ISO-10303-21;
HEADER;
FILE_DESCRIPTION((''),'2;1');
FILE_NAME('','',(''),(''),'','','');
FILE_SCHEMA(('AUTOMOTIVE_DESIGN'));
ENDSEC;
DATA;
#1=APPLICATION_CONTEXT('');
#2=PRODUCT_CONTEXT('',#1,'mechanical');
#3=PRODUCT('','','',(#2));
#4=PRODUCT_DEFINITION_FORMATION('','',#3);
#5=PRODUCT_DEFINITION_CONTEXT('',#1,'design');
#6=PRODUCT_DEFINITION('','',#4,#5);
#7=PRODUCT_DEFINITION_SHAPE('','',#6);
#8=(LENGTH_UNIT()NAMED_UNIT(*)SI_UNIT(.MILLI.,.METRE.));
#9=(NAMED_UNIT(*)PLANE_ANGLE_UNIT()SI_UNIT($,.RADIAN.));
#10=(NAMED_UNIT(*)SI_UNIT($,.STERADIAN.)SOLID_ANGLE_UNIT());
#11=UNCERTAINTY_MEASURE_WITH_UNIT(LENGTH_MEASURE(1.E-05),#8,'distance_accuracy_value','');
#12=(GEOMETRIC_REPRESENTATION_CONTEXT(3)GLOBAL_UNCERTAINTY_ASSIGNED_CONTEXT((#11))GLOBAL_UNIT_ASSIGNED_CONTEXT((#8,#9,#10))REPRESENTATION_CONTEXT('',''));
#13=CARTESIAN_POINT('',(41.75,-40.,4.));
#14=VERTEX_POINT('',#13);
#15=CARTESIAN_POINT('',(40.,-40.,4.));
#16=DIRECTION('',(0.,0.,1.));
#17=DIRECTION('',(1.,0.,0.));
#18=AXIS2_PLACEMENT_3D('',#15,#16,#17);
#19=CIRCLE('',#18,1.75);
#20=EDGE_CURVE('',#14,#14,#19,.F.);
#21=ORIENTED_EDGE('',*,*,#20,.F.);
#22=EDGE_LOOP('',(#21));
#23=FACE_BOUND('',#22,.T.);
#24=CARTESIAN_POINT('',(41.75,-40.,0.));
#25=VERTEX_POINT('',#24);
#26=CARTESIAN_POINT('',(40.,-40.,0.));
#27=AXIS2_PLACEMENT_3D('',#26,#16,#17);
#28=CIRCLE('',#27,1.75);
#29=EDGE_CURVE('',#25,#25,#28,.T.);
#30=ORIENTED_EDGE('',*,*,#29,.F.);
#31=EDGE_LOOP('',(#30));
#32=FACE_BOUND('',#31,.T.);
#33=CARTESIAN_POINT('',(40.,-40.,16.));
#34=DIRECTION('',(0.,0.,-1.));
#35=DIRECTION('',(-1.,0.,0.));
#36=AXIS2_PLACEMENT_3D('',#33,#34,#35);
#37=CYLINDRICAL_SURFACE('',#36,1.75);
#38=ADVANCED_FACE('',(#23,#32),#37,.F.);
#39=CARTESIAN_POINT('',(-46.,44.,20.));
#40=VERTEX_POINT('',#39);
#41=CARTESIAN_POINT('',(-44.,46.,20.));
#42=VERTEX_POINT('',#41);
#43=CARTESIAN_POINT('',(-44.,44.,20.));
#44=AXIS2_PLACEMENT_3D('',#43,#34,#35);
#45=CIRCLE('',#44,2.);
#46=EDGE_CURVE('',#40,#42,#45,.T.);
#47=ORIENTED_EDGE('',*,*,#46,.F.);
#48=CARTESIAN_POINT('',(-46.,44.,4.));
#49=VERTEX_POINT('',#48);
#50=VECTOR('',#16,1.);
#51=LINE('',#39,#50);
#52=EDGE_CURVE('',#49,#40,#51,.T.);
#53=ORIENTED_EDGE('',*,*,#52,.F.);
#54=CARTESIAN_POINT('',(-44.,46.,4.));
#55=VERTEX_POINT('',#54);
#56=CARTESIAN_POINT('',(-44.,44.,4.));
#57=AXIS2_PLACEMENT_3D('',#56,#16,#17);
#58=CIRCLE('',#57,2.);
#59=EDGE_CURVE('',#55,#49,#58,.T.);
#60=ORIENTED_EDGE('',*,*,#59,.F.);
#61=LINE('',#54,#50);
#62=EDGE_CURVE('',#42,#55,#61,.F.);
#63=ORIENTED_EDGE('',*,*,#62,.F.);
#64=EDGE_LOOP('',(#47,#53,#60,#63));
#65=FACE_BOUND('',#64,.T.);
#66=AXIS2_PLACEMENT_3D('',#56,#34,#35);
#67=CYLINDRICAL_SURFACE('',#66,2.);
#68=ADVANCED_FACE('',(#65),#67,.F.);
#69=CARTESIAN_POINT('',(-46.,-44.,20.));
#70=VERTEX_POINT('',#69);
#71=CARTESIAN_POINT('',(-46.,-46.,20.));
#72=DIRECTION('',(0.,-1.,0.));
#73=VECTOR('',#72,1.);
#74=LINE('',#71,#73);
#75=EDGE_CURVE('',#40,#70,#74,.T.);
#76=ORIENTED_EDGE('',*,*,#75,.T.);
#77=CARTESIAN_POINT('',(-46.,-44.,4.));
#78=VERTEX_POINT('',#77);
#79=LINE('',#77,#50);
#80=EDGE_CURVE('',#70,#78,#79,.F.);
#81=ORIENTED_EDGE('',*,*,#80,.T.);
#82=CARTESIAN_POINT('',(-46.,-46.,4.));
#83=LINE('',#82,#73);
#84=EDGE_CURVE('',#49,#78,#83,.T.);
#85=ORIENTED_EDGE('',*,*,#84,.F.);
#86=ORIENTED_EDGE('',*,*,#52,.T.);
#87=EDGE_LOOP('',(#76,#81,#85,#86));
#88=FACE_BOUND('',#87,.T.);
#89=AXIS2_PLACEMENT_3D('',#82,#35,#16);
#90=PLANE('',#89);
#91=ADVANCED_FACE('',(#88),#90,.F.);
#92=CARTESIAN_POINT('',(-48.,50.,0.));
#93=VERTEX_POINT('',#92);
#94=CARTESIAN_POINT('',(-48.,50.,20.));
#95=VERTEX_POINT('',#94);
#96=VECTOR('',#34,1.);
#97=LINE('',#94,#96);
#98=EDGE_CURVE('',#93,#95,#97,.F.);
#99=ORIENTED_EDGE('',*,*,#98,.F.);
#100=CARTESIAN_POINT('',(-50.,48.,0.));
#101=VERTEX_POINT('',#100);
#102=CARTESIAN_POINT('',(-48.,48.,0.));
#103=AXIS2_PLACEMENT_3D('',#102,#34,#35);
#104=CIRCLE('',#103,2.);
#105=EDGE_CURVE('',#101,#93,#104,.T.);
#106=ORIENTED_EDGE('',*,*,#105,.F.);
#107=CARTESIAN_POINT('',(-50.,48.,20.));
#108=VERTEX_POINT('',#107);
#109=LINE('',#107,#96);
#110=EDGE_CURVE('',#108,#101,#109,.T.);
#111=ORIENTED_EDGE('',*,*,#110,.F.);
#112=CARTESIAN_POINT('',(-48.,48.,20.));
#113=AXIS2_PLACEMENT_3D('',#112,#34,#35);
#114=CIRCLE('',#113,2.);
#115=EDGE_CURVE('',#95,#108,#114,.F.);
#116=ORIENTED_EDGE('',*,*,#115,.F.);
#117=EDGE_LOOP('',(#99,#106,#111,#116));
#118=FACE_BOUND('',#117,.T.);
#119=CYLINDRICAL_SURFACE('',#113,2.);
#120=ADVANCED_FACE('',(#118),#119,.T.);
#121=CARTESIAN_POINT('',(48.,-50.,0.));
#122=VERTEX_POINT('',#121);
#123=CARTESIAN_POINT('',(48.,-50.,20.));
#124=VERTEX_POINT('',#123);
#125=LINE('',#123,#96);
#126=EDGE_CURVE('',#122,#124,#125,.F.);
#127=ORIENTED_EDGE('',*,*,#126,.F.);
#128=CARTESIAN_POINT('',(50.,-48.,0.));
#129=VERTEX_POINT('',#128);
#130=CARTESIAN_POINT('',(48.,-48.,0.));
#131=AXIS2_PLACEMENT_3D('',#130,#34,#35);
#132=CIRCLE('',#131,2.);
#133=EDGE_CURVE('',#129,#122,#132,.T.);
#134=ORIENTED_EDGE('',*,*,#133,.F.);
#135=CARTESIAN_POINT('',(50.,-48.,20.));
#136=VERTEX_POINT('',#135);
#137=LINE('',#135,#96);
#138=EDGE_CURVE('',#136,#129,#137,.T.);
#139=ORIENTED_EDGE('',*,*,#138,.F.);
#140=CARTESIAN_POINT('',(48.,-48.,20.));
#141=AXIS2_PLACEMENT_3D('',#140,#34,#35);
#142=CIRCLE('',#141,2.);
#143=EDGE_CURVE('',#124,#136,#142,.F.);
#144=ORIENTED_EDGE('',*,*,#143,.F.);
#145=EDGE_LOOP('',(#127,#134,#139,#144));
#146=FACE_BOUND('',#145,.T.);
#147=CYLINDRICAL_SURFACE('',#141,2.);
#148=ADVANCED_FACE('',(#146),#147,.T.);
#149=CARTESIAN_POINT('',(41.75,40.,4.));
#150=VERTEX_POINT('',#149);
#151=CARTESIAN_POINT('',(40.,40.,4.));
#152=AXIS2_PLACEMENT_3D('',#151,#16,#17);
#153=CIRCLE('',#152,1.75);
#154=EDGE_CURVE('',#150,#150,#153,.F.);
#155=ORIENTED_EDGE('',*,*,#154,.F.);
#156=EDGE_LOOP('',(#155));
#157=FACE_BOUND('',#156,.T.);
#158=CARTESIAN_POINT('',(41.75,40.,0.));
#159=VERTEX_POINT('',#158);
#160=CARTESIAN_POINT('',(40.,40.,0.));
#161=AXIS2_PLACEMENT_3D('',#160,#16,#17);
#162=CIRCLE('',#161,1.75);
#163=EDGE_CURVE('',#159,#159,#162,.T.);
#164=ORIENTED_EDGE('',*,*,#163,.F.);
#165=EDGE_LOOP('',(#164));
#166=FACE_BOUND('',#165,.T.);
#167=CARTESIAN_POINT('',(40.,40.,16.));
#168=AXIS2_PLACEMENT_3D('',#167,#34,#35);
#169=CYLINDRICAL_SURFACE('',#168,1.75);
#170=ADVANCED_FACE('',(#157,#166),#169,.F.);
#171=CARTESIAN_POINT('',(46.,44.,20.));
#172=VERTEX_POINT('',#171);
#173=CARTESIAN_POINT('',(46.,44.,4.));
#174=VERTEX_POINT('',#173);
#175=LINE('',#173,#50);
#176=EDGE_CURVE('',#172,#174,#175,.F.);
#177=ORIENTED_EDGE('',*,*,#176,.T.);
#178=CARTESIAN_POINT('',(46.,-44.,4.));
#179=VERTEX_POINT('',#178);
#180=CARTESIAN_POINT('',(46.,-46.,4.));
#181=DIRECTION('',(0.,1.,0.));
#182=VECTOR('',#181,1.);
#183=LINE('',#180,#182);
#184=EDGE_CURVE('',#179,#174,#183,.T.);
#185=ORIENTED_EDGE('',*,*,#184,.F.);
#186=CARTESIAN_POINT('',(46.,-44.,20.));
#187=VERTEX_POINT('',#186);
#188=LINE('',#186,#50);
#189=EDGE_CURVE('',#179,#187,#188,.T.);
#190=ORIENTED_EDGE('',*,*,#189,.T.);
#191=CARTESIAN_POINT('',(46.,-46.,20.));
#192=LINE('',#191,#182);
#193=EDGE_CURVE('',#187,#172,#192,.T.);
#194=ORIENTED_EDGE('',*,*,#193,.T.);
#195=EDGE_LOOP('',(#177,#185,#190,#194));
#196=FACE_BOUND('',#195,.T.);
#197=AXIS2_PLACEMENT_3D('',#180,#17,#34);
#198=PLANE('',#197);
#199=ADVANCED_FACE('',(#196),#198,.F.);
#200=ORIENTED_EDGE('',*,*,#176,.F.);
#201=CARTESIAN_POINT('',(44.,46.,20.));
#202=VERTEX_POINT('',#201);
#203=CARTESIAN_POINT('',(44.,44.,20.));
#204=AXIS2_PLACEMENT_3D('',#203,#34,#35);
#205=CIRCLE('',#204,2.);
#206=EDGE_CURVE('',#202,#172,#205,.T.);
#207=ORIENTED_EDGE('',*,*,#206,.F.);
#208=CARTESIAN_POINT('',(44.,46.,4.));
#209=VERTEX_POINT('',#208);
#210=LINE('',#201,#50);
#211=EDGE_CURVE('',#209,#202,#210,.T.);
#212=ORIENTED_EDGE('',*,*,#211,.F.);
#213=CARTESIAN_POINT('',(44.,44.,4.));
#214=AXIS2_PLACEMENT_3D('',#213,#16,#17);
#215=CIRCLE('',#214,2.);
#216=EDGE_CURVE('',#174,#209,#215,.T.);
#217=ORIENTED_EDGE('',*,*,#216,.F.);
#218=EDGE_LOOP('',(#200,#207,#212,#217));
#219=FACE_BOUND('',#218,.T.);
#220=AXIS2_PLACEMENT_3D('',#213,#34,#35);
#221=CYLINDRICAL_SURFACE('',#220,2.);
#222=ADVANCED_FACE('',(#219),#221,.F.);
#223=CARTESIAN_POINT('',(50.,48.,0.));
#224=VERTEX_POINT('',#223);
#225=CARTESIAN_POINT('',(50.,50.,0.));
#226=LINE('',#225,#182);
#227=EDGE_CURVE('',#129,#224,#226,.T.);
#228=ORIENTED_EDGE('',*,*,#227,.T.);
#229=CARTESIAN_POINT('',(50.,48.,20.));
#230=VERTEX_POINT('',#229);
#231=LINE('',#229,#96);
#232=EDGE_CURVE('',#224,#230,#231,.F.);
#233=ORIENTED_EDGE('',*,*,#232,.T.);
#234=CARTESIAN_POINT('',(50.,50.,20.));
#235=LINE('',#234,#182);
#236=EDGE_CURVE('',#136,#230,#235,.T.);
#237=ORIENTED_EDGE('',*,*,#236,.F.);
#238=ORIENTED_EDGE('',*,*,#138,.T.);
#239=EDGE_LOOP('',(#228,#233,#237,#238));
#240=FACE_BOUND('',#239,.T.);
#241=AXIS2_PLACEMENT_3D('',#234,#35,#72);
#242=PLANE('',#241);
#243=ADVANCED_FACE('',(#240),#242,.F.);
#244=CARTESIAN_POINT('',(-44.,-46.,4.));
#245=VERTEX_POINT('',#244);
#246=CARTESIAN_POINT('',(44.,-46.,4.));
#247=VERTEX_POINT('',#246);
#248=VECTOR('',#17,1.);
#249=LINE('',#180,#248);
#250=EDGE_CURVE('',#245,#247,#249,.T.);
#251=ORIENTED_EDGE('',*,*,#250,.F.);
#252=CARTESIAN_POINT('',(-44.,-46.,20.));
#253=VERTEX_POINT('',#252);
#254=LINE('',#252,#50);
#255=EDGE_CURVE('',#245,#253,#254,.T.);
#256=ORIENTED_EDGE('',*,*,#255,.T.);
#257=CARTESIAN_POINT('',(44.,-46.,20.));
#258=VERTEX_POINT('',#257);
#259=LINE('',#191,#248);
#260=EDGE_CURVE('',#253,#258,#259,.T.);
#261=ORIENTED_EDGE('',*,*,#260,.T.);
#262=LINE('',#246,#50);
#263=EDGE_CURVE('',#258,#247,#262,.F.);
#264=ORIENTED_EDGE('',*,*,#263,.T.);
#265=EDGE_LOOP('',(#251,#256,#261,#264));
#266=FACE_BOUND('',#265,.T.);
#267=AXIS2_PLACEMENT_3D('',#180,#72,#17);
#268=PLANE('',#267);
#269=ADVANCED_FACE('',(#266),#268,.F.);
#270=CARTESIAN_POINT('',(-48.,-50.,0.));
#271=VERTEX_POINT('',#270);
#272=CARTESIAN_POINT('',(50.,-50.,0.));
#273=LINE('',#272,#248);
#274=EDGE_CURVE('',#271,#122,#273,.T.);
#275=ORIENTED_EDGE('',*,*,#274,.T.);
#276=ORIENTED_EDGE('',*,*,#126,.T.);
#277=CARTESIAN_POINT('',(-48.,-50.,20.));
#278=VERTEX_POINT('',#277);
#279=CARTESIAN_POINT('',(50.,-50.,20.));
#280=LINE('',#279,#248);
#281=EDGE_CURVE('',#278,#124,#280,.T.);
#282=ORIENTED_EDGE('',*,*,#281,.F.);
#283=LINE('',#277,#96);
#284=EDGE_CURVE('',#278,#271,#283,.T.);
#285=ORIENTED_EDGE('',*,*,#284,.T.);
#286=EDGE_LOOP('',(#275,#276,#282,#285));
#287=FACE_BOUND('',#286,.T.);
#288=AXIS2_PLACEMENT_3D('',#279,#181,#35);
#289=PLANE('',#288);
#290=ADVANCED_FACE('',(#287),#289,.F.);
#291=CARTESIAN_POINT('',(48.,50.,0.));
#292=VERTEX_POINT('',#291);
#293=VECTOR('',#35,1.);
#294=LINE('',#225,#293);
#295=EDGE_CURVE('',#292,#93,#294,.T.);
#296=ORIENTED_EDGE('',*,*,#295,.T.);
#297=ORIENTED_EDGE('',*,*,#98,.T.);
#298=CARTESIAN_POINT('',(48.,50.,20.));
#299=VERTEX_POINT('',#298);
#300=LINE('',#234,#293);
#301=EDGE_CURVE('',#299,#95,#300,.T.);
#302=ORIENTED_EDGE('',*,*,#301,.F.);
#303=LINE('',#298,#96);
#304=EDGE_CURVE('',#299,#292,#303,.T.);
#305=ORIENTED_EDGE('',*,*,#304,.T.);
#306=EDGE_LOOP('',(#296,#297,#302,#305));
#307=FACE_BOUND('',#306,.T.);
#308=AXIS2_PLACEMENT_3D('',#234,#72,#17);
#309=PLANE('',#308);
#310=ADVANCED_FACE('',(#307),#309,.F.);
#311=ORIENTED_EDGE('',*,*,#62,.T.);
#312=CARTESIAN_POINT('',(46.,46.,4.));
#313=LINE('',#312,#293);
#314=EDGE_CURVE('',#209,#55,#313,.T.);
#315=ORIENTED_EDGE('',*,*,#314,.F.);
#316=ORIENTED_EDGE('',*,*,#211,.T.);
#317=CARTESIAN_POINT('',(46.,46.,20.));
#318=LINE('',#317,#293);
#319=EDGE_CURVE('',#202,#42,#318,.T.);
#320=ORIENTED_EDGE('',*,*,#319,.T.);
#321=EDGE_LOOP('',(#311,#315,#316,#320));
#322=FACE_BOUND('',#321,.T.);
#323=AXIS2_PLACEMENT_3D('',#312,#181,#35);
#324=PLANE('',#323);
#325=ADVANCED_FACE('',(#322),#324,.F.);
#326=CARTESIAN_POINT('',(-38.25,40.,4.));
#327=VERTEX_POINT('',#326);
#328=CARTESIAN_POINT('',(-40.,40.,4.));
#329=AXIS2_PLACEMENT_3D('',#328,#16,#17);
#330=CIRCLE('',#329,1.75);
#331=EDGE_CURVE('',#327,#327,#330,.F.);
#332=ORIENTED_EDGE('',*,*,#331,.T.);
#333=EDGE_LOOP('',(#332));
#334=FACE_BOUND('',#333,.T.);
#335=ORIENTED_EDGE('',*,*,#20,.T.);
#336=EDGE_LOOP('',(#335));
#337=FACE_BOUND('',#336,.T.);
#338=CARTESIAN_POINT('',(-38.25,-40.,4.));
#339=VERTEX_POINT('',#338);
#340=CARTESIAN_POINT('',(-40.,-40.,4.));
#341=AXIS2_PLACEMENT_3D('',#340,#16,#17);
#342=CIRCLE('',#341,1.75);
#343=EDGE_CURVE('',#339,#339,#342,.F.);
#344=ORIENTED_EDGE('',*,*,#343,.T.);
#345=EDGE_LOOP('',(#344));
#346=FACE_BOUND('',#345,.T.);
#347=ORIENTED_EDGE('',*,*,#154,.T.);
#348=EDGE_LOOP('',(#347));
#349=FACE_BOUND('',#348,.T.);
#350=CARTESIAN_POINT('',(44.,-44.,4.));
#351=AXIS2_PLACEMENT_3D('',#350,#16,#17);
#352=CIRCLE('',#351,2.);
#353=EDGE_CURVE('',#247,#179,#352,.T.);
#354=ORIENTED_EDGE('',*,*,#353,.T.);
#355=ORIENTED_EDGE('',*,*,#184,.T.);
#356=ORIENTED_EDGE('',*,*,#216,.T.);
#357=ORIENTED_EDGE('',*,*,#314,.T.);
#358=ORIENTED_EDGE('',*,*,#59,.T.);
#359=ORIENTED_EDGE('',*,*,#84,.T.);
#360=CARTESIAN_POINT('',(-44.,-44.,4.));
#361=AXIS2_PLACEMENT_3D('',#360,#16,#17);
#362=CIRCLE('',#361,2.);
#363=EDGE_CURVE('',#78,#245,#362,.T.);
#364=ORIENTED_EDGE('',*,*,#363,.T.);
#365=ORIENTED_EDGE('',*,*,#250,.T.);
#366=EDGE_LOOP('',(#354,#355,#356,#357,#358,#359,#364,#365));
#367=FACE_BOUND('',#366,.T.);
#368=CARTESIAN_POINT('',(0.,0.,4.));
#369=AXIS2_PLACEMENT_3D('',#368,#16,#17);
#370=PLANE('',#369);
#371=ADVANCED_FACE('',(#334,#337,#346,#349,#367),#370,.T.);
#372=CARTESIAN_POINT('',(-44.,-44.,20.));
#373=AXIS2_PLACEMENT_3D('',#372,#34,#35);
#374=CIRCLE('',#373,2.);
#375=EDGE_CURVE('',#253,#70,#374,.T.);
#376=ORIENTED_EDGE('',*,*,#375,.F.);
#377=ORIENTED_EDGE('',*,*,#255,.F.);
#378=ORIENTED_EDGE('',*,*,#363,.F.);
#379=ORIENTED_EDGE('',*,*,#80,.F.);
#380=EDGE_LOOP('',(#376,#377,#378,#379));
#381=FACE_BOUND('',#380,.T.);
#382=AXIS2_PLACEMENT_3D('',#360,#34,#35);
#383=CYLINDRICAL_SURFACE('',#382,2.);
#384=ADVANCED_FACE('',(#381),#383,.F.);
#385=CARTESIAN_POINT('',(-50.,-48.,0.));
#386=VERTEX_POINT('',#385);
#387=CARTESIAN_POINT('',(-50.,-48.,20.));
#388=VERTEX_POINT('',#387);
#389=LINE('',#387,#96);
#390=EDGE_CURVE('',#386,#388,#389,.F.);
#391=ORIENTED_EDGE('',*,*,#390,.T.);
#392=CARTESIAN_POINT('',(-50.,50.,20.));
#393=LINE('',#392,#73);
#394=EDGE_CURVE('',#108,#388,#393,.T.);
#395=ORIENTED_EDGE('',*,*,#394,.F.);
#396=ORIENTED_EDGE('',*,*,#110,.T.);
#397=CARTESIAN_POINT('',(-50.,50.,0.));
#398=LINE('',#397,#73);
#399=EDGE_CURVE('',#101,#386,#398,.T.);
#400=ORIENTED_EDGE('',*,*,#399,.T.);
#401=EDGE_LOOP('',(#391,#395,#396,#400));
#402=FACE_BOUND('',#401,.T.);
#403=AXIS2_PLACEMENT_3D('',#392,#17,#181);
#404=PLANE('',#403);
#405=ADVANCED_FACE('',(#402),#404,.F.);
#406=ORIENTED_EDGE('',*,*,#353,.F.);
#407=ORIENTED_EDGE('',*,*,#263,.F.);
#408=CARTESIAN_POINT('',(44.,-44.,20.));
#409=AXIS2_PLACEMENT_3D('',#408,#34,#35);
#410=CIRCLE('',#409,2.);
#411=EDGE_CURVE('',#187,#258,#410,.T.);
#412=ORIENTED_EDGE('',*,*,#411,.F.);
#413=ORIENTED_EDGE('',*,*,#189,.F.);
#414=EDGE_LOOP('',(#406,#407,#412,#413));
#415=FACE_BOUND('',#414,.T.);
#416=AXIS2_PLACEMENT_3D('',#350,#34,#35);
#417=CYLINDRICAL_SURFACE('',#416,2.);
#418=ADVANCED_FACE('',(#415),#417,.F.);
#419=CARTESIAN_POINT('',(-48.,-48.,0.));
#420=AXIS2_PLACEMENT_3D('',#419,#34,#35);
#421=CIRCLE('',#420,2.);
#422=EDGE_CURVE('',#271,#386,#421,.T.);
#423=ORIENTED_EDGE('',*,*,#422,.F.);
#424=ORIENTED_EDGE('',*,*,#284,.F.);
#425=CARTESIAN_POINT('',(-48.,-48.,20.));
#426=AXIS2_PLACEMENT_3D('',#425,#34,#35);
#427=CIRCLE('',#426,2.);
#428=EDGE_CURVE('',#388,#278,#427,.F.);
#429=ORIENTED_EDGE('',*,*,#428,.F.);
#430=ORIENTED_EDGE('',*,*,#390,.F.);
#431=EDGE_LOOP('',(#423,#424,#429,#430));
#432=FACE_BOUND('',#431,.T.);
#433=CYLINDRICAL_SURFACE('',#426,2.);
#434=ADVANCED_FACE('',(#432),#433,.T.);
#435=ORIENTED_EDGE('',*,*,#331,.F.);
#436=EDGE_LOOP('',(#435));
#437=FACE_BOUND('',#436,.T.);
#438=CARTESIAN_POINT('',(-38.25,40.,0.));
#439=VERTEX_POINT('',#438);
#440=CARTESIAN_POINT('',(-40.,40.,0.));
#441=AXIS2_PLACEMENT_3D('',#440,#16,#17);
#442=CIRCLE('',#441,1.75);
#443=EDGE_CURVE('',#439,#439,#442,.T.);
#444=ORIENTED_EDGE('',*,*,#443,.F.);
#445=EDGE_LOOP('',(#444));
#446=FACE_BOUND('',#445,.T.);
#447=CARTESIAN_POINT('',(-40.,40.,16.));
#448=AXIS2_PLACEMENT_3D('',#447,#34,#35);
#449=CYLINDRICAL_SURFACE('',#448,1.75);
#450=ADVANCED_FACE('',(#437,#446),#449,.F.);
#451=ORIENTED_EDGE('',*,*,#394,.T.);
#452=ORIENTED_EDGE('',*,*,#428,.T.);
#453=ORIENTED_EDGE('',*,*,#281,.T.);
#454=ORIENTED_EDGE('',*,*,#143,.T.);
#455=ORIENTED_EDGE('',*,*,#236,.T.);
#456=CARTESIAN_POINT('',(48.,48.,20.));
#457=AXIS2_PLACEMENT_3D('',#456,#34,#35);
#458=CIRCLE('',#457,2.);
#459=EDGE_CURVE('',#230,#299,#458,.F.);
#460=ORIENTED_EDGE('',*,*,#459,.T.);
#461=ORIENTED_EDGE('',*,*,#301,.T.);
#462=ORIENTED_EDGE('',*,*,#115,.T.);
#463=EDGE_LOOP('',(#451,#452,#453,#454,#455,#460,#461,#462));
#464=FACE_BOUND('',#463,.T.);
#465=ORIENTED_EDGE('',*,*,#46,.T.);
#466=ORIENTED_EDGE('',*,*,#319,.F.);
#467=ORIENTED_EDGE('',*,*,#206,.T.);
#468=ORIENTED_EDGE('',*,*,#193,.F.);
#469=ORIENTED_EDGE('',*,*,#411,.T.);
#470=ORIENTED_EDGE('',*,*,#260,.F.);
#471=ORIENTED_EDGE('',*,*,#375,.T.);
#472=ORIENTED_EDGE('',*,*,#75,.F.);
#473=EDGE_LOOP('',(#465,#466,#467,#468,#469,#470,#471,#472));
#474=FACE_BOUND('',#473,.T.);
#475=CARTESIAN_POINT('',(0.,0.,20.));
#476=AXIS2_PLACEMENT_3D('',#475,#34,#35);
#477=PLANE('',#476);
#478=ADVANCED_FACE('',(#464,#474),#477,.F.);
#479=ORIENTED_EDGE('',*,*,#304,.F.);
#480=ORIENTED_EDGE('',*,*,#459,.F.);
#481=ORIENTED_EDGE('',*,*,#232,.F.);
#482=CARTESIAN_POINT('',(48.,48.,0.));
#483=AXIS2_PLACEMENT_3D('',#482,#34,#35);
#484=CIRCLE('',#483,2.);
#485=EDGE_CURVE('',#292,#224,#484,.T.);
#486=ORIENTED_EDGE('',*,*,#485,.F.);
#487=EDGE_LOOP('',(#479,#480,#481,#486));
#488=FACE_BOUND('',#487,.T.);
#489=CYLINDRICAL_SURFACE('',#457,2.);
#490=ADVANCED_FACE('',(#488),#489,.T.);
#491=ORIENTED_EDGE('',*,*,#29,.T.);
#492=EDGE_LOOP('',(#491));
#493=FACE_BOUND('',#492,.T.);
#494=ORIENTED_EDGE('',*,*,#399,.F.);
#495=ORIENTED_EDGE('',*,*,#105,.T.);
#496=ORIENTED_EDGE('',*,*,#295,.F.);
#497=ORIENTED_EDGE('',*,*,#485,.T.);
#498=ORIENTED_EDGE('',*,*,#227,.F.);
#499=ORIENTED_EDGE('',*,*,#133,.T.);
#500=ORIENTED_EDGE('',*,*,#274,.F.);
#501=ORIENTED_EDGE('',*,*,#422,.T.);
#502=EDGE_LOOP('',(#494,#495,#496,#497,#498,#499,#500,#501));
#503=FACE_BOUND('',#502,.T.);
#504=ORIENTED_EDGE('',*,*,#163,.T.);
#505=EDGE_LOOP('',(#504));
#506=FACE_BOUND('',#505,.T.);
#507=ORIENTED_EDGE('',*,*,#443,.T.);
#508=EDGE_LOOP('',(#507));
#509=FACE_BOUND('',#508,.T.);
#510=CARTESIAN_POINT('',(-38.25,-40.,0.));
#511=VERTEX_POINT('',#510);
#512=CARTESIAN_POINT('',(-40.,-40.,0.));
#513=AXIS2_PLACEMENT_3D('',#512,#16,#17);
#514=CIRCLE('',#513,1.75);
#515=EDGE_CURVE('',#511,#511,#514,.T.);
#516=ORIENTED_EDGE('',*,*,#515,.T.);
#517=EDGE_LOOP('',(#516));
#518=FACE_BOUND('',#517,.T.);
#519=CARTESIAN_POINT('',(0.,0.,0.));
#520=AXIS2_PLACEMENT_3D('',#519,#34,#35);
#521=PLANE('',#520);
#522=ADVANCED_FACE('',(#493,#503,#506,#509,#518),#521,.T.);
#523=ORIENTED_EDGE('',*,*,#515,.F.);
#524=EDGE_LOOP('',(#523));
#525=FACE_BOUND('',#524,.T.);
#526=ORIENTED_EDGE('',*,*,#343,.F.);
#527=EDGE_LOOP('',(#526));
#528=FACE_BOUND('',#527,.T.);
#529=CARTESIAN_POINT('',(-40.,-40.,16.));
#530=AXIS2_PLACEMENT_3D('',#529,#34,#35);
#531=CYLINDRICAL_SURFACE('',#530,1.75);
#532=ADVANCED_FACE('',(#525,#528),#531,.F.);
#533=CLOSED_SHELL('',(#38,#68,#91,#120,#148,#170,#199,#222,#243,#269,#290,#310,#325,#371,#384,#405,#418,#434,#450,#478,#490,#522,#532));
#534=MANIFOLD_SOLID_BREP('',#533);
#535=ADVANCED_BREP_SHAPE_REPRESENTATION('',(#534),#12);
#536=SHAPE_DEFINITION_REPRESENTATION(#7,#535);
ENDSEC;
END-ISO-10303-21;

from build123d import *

# Parameters (mm, degrees)
SKETCH1_W           = 100
SKETCH1_H           = 100
BOSS_EXTRUDE1_DEPTH = 20
SKETCH2_W           = 92
SKETCH2_H           = 92
CUT_EXTRUDE1_DEPTH  = 16
FILLET1_R           = 2
SKETCH3_R           = 1.75
CUT_EXTRUDE2_DEPTH  = 16


with BuildPart() as part:
    # Sketch1 → Boss-Extrude1 (new body)
    with BuildSketch(Plane.XY):
        Rectangle(SKETCH1_W, SKETCH1_H)
    extrude(amount=BOSS_EXTRUDE1_DEPTH)

    # Sketch2 → Cut-Extrude1 (cut)
    with BuildSketch(Plane.XY.offset(20)):
        Rectangle(SKETCH2_W, SKETCH2_H)
    extrude(amount=-CUT_EXTRUDE1_DEPTH, mode=Mode.SUBTRACT)

    # Fillet1
    fillet1_edges = [part.edges().sort_by_distance(p)[0] for p in [
        (-46, -46, 12),
        (-46, 46, 12),
        (46, 46, 12),
        (46, -46, 12),
        (-50, 50, 10),
        (50, 50, 10),
        (50, -50, 10),
        (-50, -50, 10),
    ]]
    fillet(fillet1_edges, radius=FILLET1_R)

    # Sketch3 → Cut-Extrude2 (cut)
    with BuildSketch(Plane.XY):
        with Locations((-40, 40)):
            Circle(SKETCH3_R)
        with Locations((40, 40)):
            Circle(SKETCH3_R)
        with Locations((40, -40)):
            Circle(SKETCH3_R)
        with Locations((-40, -40)):
            Circle(SKETCH3_R)
    extrude(amount=CUT_EXTRUDE2_DEPTH, mode=Mode.SUBTRACT)


solid = part.part
